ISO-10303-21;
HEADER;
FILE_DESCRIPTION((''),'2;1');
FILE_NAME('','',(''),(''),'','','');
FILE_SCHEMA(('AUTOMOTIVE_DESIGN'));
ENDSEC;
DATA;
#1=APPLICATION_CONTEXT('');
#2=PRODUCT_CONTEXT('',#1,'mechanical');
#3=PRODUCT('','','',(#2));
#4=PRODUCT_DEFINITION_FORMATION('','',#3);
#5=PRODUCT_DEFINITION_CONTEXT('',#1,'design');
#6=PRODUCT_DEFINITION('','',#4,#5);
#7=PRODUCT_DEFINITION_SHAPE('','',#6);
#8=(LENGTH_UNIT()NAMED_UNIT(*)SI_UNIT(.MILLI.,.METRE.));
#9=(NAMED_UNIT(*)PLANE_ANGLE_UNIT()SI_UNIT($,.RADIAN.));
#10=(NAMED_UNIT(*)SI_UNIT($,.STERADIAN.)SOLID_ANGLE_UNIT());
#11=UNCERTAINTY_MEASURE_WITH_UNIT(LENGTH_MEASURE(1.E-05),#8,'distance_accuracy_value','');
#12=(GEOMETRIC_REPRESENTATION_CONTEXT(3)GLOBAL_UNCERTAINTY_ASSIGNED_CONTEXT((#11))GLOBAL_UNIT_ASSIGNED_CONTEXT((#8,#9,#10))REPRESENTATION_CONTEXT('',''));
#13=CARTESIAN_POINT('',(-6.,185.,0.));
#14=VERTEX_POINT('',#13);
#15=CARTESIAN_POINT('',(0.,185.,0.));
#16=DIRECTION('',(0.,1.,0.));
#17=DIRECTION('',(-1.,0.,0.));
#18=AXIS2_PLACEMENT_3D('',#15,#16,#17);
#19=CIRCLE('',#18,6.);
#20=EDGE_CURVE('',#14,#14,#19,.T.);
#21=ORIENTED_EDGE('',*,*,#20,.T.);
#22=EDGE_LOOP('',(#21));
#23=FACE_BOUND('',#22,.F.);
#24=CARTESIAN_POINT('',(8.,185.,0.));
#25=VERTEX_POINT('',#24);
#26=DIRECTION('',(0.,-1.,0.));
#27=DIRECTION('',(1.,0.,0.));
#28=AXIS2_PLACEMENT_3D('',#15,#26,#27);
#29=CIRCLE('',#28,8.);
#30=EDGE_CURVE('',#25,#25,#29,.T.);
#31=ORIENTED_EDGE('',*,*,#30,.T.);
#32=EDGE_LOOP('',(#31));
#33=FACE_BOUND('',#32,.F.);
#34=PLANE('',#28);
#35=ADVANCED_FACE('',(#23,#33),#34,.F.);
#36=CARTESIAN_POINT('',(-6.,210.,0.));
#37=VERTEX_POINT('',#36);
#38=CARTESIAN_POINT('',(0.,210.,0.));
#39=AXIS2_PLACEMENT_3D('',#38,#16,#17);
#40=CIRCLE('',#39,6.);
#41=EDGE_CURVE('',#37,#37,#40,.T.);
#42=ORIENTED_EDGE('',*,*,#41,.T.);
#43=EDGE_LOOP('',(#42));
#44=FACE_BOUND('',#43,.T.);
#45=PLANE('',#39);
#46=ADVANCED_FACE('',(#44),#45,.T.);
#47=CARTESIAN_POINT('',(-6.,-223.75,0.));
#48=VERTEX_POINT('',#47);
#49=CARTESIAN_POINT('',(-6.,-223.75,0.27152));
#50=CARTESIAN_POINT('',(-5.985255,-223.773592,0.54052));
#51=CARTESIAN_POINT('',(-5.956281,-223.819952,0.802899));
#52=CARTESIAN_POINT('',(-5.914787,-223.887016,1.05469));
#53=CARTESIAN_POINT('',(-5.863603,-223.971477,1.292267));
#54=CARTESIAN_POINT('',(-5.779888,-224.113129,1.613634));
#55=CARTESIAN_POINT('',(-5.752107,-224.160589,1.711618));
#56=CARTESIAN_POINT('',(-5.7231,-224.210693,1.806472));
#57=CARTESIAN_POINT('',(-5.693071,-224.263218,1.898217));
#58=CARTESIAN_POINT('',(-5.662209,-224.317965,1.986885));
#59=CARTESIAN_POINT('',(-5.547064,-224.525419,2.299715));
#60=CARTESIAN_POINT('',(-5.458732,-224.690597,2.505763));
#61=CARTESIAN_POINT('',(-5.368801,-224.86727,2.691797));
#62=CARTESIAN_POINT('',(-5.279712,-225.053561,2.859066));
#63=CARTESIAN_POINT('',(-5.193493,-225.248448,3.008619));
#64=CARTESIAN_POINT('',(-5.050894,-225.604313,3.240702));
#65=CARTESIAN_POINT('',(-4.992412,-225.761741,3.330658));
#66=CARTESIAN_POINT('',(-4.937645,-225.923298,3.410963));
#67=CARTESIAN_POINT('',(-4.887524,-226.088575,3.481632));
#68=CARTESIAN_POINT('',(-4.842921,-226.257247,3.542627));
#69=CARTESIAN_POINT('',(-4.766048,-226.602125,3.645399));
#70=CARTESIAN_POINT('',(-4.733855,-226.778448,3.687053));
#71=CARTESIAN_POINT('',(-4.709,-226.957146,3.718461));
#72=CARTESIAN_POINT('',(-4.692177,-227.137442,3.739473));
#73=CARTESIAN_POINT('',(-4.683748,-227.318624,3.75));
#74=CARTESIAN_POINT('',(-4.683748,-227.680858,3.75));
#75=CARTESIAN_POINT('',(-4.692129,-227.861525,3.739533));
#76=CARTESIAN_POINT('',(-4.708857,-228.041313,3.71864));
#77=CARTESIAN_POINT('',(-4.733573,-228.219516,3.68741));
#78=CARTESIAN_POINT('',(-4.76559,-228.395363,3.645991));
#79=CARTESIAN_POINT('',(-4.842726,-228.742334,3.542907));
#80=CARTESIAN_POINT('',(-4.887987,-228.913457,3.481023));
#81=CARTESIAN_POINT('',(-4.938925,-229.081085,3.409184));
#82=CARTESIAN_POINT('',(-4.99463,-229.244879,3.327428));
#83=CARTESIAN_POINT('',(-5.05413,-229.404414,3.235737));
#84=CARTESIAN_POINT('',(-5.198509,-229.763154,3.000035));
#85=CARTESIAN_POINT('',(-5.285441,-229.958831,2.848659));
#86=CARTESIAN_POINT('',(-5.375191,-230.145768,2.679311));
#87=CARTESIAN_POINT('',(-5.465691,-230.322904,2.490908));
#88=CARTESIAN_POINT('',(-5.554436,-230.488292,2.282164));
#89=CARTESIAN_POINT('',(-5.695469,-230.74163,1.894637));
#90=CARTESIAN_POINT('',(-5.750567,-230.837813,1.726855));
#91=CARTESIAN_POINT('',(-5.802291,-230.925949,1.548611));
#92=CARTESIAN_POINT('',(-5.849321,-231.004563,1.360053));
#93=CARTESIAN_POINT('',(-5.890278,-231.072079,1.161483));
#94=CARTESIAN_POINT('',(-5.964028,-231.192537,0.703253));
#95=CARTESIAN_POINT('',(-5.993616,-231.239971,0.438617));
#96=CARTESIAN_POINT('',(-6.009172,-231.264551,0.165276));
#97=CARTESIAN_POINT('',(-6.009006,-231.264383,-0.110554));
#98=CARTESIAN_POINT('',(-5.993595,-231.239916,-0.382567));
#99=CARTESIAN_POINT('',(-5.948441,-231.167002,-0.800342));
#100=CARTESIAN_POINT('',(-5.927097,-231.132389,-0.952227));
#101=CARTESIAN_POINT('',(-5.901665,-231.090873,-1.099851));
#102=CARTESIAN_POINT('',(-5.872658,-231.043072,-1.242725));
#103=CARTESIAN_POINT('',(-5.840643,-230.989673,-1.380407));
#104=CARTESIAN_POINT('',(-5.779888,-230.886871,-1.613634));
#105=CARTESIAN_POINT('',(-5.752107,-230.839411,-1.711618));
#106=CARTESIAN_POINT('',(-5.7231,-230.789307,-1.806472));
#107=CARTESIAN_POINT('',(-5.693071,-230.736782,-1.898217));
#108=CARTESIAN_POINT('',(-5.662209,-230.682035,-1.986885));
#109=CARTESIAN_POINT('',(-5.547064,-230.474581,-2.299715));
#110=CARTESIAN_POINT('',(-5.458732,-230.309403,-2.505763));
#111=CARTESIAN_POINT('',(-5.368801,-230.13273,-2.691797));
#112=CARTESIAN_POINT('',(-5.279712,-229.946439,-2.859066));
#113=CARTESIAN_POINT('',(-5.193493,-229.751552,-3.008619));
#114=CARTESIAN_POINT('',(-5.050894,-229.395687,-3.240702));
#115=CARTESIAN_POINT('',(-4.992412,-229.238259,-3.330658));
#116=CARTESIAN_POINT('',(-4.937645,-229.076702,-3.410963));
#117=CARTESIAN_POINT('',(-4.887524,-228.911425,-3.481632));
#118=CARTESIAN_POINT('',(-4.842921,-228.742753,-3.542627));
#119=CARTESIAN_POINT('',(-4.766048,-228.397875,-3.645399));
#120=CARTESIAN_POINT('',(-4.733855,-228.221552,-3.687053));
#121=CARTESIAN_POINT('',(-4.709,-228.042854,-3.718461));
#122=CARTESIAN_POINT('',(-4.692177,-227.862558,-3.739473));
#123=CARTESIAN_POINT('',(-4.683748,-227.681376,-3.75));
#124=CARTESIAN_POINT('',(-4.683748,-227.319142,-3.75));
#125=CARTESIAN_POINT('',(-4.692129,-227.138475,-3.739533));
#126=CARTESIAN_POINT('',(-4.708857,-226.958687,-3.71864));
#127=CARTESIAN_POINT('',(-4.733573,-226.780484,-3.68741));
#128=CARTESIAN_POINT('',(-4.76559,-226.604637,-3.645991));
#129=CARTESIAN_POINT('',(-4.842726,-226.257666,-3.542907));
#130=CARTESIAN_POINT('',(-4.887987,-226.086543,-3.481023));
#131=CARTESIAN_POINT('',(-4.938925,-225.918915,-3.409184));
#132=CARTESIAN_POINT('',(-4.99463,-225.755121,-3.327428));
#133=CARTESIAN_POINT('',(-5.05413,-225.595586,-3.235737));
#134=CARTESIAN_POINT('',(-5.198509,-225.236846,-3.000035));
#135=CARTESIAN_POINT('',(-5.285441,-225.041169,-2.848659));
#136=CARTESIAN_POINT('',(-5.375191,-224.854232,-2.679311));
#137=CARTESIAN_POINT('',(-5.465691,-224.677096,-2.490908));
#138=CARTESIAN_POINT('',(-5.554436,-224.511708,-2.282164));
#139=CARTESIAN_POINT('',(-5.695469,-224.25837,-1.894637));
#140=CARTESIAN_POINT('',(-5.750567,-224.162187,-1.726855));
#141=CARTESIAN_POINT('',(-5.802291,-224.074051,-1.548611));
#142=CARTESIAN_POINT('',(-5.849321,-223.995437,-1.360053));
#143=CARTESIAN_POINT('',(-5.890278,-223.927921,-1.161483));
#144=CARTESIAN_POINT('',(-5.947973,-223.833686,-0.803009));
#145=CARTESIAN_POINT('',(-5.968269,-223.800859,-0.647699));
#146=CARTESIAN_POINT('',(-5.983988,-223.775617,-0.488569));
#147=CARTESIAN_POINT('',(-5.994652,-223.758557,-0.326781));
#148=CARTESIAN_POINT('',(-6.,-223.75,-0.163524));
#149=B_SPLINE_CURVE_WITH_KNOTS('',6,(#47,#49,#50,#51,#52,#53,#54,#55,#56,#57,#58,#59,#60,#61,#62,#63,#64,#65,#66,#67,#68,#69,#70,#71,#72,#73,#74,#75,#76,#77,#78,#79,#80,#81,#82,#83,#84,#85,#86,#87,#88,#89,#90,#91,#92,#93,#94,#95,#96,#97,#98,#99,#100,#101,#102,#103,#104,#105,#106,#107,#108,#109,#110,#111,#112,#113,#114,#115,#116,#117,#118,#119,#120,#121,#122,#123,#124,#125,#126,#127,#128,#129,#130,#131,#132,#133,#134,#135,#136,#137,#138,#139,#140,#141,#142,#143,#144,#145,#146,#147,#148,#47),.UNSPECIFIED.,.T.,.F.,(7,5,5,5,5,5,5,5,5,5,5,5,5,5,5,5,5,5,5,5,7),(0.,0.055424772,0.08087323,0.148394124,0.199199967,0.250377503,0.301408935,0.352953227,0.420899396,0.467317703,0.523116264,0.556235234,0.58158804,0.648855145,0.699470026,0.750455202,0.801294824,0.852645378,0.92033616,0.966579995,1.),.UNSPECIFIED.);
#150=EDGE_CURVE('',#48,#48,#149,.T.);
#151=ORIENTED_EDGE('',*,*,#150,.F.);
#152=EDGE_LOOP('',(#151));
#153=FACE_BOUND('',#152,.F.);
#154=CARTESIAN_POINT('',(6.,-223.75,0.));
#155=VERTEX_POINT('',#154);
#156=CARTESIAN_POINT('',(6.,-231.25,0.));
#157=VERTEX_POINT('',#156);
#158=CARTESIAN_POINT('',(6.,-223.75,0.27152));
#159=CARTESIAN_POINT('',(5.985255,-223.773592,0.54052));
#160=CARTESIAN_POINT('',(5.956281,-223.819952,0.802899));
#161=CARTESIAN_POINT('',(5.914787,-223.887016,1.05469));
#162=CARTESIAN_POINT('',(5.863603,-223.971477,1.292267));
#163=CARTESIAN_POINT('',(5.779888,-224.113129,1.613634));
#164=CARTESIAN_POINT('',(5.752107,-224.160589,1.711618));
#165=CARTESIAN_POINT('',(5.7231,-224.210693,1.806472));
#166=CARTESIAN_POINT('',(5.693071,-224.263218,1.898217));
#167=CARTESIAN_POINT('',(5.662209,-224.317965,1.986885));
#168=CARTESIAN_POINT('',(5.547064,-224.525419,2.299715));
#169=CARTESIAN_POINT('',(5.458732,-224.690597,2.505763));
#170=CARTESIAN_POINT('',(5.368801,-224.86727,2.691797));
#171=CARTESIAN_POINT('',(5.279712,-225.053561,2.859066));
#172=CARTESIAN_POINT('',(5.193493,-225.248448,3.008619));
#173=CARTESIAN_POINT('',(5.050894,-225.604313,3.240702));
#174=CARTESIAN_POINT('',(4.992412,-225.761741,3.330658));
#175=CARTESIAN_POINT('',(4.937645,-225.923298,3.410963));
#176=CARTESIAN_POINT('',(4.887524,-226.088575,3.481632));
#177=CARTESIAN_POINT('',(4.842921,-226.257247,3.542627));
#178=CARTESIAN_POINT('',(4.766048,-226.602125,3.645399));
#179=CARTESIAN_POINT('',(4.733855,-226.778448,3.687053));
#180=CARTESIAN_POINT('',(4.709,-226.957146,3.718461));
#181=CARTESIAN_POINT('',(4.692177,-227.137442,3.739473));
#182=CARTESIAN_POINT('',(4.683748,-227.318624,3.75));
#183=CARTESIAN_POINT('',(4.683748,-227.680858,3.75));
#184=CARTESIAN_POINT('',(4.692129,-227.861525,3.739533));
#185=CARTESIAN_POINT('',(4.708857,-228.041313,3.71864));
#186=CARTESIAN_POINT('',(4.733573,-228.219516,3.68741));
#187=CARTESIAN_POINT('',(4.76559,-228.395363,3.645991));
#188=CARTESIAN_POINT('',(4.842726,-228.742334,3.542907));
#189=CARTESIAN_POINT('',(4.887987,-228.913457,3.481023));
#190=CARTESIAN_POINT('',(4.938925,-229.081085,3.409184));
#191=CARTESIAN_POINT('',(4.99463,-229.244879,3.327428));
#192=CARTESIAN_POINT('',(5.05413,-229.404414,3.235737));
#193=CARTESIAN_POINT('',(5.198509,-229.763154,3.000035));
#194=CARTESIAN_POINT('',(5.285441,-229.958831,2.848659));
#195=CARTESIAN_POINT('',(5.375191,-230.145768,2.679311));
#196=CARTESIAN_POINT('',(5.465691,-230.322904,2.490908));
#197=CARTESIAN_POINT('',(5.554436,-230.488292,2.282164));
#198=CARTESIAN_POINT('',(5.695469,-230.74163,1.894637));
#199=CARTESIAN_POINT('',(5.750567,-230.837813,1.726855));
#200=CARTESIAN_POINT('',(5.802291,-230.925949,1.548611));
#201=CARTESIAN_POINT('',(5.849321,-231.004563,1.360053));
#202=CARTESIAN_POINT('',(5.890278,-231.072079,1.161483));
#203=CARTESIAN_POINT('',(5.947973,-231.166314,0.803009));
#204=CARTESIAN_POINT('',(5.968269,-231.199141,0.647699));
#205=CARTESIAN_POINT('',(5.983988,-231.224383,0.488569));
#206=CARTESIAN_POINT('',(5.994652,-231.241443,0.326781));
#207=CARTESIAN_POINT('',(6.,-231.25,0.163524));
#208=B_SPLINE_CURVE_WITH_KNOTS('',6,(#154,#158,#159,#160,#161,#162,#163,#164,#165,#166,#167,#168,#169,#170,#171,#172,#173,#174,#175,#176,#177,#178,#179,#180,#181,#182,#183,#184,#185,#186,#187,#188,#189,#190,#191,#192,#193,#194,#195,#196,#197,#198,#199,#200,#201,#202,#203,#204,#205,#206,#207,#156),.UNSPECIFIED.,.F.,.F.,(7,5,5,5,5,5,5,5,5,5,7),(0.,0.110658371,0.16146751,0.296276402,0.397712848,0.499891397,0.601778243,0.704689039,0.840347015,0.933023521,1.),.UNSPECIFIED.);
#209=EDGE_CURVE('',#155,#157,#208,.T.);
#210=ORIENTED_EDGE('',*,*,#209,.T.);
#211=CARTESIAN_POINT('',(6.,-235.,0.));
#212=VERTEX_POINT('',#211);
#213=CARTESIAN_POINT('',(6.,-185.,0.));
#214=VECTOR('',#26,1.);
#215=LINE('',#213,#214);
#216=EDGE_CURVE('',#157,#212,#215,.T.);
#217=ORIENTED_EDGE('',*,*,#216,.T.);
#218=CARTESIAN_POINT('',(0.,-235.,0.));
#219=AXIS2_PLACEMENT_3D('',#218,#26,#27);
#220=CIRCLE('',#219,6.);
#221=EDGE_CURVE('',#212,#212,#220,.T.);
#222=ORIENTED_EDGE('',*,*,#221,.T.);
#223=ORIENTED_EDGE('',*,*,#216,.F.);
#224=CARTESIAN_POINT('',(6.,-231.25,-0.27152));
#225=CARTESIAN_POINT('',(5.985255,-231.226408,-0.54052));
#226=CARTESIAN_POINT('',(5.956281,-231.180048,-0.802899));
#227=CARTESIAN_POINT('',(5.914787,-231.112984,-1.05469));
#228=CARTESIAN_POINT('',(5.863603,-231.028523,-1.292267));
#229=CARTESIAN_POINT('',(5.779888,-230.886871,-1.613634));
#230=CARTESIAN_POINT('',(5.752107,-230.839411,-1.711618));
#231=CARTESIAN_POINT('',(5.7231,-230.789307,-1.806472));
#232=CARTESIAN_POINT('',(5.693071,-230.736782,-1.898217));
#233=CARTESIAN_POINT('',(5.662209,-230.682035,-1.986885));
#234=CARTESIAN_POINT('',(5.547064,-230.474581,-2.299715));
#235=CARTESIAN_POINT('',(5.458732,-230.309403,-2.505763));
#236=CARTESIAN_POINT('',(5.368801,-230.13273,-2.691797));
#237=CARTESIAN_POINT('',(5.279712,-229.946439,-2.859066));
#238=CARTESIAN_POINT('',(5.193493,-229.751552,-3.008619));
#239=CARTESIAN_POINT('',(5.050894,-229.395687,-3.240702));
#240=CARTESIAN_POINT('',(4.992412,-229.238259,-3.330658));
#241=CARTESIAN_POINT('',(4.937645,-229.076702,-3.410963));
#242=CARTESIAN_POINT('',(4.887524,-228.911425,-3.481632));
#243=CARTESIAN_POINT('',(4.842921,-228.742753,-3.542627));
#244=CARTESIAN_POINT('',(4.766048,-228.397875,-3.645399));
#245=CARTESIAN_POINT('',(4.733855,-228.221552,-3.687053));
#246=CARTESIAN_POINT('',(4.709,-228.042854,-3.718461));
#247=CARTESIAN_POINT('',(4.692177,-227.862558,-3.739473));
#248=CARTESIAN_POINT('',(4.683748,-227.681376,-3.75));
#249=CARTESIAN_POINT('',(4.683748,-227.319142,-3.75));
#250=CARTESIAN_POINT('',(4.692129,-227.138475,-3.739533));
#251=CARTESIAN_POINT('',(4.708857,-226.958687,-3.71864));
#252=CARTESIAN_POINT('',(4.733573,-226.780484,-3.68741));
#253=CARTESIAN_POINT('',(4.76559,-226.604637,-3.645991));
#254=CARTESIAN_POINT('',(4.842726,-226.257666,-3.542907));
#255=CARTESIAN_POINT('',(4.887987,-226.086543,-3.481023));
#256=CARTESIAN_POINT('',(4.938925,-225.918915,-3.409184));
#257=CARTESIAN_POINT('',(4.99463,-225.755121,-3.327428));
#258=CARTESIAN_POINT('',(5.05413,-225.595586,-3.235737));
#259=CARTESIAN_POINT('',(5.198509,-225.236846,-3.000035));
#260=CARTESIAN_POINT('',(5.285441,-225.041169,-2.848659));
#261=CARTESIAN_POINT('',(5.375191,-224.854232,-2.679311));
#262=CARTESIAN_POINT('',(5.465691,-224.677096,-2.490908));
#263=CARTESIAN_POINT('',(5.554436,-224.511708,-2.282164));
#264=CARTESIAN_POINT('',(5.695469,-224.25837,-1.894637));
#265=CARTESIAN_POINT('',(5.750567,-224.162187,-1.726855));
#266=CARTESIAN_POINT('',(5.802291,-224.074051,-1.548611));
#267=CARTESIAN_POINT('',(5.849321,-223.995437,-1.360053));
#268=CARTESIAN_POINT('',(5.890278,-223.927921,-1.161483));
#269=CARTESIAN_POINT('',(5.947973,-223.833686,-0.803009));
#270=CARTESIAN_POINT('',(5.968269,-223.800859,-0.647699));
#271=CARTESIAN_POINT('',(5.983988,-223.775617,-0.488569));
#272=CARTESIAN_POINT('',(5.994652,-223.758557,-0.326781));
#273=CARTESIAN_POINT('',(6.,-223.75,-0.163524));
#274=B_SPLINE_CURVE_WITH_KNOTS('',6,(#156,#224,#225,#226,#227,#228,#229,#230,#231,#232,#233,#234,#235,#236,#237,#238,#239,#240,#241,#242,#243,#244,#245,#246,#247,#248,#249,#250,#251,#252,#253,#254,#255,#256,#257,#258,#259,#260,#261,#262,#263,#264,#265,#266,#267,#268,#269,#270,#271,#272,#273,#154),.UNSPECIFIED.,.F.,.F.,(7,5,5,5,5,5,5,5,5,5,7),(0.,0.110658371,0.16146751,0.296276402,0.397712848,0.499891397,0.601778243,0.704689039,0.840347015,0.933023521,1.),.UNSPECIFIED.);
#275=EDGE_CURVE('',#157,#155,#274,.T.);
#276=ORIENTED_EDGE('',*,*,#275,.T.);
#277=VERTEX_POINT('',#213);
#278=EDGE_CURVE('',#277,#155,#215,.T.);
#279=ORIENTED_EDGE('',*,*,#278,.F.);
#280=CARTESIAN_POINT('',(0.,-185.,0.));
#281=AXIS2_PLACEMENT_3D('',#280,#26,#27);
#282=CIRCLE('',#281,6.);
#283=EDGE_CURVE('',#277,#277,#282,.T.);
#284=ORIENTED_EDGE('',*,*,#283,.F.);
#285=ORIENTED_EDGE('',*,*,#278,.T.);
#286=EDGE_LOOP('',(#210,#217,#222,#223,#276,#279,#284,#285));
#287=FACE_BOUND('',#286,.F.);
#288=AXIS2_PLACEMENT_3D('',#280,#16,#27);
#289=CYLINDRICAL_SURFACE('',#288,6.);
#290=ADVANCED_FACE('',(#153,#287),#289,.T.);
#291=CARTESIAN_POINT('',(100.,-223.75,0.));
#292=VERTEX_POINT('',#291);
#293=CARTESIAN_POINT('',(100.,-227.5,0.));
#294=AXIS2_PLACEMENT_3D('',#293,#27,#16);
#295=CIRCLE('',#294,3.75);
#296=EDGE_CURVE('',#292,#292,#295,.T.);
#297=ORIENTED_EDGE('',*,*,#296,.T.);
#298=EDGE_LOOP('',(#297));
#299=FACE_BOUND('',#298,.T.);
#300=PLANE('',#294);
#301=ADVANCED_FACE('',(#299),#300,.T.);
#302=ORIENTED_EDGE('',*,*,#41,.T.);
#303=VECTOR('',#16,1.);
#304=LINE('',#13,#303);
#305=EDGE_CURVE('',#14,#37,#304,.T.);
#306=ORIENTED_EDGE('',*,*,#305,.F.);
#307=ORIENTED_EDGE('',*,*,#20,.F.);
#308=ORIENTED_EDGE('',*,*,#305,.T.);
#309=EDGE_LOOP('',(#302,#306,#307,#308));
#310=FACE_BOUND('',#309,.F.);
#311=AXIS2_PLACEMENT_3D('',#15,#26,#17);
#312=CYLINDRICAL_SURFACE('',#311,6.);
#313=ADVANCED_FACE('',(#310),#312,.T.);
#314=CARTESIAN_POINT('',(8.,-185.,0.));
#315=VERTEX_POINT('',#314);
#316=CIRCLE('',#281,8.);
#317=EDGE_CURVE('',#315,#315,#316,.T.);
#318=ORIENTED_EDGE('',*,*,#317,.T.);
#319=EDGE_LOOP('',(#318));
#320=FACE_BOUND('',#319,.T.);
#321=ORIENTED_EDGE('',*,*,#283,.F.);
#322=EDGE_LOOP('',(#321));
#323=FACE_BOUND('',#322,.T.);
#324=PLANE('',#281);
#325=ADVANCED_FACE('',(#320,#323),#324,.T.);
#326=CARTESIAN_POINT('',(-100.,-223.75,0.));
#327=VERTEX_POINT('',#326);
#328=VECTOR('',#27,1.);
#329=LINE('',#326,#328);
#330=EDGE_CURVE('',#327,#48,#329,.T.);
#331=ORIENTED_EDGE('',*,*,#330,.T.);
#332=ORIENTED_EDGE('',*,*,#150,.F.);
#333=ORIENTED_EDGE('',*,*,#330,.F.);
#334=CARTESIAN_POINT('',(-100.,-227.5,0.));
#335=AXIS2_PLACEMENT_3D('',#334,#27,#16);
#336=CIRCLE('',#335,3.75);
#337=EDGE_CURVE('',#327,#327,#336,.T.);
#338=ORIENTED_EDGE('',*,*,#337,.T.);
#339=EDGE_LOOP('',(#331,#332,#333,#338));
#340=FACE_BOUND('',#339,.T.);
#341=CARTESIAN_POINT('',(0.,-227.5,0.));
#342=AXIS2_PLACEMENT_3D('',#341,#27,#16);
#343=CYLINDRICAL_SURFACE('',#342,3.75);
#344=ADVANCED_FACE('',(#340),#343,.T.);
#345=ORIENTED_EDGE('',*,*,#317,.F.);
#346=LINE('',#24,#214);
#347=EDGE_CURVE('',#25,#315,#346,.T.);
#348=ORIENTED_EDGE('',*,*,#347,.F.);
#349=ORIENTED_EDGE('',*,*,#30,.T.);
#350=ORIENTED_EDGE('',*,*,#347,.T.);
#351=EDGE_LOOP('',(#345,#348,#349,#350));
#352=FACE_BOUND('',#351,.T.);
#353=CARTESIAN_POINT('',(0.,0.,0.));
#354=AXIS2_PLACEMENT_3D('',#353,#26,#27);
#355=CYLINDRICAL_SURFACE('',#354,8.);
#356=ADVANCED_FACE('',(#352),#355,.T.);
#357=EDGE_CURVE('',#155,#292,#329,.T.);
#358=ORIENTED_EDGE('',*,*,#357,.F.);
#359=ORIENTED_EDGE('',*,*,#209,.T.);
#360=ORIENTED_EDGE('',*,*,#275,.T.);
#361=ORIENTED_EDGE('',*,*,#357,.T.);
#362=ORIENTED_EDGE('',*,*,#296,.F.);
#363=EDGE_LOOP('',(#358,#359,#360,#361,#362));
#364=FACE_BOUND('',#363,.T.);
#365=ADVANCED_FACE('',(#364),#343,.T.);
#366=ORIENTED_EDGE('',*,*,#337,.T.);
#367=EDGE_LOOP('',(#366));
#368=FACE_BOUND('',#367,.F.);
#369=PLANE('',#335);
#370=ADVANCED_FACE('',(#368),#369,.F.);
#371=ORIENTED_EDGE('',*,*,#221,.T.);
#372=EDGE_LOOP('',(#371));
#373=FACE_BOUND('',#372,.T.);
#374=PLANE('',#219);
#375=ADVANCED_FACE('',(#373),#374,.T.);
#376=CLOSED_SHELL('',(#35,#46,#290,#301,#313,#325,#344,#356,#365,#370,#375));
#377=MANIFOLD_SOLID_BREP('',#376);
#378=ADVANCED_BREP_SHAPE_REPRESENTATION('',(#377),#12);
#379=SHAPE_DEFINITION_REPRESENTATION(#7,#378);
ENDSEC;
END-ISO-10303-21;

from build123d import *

# Parameters (mm, degrees)
F0_R     = 8
F0_R_2   = 6
F1_DEPTH = 185
F2_R     = 6
F4_DEPTH = 50
F3_R     = 6
F5_DEPTH = 25
F6_R     = 3.75
F7_DEPTH = 100


with BuildPart() as f1:
    # F0 (on Front) → F1 (new body, symmetric)
    with BuildSketch(Plane.XZ):
        Circle(F0_R)
        Circle(F0_R_2, mode=Mode.SUBTRACT)
        Circle(F0_R_2)
    extrude(amount=F1_DEPTH, both=True)

    # F2 (on face) → F4 (join)
    with BuildSketch(Plane.XZ.offset(185)):
        Circle(F2_R)
    extrude(amount=F4_DEPTH)

    # F3 (on face) → F5 (join)
    with BuildSketch(Plane(origin=(0, 185, 0), x_dir=(-1, 0, 0), z_dir=(0, 1, 0))):
        Circle(F3_R)
    extrude(amount=F5_DEPTH)

    # F6 (on Right) → F7 (join, symmetric)
    with BuildSketch(Plane.YZ):
        with Locations((-227.5, 0)):
            Circle(F6_R)
    extrude(amount=F7_DEPTH, both=True)


solid = f1.part
